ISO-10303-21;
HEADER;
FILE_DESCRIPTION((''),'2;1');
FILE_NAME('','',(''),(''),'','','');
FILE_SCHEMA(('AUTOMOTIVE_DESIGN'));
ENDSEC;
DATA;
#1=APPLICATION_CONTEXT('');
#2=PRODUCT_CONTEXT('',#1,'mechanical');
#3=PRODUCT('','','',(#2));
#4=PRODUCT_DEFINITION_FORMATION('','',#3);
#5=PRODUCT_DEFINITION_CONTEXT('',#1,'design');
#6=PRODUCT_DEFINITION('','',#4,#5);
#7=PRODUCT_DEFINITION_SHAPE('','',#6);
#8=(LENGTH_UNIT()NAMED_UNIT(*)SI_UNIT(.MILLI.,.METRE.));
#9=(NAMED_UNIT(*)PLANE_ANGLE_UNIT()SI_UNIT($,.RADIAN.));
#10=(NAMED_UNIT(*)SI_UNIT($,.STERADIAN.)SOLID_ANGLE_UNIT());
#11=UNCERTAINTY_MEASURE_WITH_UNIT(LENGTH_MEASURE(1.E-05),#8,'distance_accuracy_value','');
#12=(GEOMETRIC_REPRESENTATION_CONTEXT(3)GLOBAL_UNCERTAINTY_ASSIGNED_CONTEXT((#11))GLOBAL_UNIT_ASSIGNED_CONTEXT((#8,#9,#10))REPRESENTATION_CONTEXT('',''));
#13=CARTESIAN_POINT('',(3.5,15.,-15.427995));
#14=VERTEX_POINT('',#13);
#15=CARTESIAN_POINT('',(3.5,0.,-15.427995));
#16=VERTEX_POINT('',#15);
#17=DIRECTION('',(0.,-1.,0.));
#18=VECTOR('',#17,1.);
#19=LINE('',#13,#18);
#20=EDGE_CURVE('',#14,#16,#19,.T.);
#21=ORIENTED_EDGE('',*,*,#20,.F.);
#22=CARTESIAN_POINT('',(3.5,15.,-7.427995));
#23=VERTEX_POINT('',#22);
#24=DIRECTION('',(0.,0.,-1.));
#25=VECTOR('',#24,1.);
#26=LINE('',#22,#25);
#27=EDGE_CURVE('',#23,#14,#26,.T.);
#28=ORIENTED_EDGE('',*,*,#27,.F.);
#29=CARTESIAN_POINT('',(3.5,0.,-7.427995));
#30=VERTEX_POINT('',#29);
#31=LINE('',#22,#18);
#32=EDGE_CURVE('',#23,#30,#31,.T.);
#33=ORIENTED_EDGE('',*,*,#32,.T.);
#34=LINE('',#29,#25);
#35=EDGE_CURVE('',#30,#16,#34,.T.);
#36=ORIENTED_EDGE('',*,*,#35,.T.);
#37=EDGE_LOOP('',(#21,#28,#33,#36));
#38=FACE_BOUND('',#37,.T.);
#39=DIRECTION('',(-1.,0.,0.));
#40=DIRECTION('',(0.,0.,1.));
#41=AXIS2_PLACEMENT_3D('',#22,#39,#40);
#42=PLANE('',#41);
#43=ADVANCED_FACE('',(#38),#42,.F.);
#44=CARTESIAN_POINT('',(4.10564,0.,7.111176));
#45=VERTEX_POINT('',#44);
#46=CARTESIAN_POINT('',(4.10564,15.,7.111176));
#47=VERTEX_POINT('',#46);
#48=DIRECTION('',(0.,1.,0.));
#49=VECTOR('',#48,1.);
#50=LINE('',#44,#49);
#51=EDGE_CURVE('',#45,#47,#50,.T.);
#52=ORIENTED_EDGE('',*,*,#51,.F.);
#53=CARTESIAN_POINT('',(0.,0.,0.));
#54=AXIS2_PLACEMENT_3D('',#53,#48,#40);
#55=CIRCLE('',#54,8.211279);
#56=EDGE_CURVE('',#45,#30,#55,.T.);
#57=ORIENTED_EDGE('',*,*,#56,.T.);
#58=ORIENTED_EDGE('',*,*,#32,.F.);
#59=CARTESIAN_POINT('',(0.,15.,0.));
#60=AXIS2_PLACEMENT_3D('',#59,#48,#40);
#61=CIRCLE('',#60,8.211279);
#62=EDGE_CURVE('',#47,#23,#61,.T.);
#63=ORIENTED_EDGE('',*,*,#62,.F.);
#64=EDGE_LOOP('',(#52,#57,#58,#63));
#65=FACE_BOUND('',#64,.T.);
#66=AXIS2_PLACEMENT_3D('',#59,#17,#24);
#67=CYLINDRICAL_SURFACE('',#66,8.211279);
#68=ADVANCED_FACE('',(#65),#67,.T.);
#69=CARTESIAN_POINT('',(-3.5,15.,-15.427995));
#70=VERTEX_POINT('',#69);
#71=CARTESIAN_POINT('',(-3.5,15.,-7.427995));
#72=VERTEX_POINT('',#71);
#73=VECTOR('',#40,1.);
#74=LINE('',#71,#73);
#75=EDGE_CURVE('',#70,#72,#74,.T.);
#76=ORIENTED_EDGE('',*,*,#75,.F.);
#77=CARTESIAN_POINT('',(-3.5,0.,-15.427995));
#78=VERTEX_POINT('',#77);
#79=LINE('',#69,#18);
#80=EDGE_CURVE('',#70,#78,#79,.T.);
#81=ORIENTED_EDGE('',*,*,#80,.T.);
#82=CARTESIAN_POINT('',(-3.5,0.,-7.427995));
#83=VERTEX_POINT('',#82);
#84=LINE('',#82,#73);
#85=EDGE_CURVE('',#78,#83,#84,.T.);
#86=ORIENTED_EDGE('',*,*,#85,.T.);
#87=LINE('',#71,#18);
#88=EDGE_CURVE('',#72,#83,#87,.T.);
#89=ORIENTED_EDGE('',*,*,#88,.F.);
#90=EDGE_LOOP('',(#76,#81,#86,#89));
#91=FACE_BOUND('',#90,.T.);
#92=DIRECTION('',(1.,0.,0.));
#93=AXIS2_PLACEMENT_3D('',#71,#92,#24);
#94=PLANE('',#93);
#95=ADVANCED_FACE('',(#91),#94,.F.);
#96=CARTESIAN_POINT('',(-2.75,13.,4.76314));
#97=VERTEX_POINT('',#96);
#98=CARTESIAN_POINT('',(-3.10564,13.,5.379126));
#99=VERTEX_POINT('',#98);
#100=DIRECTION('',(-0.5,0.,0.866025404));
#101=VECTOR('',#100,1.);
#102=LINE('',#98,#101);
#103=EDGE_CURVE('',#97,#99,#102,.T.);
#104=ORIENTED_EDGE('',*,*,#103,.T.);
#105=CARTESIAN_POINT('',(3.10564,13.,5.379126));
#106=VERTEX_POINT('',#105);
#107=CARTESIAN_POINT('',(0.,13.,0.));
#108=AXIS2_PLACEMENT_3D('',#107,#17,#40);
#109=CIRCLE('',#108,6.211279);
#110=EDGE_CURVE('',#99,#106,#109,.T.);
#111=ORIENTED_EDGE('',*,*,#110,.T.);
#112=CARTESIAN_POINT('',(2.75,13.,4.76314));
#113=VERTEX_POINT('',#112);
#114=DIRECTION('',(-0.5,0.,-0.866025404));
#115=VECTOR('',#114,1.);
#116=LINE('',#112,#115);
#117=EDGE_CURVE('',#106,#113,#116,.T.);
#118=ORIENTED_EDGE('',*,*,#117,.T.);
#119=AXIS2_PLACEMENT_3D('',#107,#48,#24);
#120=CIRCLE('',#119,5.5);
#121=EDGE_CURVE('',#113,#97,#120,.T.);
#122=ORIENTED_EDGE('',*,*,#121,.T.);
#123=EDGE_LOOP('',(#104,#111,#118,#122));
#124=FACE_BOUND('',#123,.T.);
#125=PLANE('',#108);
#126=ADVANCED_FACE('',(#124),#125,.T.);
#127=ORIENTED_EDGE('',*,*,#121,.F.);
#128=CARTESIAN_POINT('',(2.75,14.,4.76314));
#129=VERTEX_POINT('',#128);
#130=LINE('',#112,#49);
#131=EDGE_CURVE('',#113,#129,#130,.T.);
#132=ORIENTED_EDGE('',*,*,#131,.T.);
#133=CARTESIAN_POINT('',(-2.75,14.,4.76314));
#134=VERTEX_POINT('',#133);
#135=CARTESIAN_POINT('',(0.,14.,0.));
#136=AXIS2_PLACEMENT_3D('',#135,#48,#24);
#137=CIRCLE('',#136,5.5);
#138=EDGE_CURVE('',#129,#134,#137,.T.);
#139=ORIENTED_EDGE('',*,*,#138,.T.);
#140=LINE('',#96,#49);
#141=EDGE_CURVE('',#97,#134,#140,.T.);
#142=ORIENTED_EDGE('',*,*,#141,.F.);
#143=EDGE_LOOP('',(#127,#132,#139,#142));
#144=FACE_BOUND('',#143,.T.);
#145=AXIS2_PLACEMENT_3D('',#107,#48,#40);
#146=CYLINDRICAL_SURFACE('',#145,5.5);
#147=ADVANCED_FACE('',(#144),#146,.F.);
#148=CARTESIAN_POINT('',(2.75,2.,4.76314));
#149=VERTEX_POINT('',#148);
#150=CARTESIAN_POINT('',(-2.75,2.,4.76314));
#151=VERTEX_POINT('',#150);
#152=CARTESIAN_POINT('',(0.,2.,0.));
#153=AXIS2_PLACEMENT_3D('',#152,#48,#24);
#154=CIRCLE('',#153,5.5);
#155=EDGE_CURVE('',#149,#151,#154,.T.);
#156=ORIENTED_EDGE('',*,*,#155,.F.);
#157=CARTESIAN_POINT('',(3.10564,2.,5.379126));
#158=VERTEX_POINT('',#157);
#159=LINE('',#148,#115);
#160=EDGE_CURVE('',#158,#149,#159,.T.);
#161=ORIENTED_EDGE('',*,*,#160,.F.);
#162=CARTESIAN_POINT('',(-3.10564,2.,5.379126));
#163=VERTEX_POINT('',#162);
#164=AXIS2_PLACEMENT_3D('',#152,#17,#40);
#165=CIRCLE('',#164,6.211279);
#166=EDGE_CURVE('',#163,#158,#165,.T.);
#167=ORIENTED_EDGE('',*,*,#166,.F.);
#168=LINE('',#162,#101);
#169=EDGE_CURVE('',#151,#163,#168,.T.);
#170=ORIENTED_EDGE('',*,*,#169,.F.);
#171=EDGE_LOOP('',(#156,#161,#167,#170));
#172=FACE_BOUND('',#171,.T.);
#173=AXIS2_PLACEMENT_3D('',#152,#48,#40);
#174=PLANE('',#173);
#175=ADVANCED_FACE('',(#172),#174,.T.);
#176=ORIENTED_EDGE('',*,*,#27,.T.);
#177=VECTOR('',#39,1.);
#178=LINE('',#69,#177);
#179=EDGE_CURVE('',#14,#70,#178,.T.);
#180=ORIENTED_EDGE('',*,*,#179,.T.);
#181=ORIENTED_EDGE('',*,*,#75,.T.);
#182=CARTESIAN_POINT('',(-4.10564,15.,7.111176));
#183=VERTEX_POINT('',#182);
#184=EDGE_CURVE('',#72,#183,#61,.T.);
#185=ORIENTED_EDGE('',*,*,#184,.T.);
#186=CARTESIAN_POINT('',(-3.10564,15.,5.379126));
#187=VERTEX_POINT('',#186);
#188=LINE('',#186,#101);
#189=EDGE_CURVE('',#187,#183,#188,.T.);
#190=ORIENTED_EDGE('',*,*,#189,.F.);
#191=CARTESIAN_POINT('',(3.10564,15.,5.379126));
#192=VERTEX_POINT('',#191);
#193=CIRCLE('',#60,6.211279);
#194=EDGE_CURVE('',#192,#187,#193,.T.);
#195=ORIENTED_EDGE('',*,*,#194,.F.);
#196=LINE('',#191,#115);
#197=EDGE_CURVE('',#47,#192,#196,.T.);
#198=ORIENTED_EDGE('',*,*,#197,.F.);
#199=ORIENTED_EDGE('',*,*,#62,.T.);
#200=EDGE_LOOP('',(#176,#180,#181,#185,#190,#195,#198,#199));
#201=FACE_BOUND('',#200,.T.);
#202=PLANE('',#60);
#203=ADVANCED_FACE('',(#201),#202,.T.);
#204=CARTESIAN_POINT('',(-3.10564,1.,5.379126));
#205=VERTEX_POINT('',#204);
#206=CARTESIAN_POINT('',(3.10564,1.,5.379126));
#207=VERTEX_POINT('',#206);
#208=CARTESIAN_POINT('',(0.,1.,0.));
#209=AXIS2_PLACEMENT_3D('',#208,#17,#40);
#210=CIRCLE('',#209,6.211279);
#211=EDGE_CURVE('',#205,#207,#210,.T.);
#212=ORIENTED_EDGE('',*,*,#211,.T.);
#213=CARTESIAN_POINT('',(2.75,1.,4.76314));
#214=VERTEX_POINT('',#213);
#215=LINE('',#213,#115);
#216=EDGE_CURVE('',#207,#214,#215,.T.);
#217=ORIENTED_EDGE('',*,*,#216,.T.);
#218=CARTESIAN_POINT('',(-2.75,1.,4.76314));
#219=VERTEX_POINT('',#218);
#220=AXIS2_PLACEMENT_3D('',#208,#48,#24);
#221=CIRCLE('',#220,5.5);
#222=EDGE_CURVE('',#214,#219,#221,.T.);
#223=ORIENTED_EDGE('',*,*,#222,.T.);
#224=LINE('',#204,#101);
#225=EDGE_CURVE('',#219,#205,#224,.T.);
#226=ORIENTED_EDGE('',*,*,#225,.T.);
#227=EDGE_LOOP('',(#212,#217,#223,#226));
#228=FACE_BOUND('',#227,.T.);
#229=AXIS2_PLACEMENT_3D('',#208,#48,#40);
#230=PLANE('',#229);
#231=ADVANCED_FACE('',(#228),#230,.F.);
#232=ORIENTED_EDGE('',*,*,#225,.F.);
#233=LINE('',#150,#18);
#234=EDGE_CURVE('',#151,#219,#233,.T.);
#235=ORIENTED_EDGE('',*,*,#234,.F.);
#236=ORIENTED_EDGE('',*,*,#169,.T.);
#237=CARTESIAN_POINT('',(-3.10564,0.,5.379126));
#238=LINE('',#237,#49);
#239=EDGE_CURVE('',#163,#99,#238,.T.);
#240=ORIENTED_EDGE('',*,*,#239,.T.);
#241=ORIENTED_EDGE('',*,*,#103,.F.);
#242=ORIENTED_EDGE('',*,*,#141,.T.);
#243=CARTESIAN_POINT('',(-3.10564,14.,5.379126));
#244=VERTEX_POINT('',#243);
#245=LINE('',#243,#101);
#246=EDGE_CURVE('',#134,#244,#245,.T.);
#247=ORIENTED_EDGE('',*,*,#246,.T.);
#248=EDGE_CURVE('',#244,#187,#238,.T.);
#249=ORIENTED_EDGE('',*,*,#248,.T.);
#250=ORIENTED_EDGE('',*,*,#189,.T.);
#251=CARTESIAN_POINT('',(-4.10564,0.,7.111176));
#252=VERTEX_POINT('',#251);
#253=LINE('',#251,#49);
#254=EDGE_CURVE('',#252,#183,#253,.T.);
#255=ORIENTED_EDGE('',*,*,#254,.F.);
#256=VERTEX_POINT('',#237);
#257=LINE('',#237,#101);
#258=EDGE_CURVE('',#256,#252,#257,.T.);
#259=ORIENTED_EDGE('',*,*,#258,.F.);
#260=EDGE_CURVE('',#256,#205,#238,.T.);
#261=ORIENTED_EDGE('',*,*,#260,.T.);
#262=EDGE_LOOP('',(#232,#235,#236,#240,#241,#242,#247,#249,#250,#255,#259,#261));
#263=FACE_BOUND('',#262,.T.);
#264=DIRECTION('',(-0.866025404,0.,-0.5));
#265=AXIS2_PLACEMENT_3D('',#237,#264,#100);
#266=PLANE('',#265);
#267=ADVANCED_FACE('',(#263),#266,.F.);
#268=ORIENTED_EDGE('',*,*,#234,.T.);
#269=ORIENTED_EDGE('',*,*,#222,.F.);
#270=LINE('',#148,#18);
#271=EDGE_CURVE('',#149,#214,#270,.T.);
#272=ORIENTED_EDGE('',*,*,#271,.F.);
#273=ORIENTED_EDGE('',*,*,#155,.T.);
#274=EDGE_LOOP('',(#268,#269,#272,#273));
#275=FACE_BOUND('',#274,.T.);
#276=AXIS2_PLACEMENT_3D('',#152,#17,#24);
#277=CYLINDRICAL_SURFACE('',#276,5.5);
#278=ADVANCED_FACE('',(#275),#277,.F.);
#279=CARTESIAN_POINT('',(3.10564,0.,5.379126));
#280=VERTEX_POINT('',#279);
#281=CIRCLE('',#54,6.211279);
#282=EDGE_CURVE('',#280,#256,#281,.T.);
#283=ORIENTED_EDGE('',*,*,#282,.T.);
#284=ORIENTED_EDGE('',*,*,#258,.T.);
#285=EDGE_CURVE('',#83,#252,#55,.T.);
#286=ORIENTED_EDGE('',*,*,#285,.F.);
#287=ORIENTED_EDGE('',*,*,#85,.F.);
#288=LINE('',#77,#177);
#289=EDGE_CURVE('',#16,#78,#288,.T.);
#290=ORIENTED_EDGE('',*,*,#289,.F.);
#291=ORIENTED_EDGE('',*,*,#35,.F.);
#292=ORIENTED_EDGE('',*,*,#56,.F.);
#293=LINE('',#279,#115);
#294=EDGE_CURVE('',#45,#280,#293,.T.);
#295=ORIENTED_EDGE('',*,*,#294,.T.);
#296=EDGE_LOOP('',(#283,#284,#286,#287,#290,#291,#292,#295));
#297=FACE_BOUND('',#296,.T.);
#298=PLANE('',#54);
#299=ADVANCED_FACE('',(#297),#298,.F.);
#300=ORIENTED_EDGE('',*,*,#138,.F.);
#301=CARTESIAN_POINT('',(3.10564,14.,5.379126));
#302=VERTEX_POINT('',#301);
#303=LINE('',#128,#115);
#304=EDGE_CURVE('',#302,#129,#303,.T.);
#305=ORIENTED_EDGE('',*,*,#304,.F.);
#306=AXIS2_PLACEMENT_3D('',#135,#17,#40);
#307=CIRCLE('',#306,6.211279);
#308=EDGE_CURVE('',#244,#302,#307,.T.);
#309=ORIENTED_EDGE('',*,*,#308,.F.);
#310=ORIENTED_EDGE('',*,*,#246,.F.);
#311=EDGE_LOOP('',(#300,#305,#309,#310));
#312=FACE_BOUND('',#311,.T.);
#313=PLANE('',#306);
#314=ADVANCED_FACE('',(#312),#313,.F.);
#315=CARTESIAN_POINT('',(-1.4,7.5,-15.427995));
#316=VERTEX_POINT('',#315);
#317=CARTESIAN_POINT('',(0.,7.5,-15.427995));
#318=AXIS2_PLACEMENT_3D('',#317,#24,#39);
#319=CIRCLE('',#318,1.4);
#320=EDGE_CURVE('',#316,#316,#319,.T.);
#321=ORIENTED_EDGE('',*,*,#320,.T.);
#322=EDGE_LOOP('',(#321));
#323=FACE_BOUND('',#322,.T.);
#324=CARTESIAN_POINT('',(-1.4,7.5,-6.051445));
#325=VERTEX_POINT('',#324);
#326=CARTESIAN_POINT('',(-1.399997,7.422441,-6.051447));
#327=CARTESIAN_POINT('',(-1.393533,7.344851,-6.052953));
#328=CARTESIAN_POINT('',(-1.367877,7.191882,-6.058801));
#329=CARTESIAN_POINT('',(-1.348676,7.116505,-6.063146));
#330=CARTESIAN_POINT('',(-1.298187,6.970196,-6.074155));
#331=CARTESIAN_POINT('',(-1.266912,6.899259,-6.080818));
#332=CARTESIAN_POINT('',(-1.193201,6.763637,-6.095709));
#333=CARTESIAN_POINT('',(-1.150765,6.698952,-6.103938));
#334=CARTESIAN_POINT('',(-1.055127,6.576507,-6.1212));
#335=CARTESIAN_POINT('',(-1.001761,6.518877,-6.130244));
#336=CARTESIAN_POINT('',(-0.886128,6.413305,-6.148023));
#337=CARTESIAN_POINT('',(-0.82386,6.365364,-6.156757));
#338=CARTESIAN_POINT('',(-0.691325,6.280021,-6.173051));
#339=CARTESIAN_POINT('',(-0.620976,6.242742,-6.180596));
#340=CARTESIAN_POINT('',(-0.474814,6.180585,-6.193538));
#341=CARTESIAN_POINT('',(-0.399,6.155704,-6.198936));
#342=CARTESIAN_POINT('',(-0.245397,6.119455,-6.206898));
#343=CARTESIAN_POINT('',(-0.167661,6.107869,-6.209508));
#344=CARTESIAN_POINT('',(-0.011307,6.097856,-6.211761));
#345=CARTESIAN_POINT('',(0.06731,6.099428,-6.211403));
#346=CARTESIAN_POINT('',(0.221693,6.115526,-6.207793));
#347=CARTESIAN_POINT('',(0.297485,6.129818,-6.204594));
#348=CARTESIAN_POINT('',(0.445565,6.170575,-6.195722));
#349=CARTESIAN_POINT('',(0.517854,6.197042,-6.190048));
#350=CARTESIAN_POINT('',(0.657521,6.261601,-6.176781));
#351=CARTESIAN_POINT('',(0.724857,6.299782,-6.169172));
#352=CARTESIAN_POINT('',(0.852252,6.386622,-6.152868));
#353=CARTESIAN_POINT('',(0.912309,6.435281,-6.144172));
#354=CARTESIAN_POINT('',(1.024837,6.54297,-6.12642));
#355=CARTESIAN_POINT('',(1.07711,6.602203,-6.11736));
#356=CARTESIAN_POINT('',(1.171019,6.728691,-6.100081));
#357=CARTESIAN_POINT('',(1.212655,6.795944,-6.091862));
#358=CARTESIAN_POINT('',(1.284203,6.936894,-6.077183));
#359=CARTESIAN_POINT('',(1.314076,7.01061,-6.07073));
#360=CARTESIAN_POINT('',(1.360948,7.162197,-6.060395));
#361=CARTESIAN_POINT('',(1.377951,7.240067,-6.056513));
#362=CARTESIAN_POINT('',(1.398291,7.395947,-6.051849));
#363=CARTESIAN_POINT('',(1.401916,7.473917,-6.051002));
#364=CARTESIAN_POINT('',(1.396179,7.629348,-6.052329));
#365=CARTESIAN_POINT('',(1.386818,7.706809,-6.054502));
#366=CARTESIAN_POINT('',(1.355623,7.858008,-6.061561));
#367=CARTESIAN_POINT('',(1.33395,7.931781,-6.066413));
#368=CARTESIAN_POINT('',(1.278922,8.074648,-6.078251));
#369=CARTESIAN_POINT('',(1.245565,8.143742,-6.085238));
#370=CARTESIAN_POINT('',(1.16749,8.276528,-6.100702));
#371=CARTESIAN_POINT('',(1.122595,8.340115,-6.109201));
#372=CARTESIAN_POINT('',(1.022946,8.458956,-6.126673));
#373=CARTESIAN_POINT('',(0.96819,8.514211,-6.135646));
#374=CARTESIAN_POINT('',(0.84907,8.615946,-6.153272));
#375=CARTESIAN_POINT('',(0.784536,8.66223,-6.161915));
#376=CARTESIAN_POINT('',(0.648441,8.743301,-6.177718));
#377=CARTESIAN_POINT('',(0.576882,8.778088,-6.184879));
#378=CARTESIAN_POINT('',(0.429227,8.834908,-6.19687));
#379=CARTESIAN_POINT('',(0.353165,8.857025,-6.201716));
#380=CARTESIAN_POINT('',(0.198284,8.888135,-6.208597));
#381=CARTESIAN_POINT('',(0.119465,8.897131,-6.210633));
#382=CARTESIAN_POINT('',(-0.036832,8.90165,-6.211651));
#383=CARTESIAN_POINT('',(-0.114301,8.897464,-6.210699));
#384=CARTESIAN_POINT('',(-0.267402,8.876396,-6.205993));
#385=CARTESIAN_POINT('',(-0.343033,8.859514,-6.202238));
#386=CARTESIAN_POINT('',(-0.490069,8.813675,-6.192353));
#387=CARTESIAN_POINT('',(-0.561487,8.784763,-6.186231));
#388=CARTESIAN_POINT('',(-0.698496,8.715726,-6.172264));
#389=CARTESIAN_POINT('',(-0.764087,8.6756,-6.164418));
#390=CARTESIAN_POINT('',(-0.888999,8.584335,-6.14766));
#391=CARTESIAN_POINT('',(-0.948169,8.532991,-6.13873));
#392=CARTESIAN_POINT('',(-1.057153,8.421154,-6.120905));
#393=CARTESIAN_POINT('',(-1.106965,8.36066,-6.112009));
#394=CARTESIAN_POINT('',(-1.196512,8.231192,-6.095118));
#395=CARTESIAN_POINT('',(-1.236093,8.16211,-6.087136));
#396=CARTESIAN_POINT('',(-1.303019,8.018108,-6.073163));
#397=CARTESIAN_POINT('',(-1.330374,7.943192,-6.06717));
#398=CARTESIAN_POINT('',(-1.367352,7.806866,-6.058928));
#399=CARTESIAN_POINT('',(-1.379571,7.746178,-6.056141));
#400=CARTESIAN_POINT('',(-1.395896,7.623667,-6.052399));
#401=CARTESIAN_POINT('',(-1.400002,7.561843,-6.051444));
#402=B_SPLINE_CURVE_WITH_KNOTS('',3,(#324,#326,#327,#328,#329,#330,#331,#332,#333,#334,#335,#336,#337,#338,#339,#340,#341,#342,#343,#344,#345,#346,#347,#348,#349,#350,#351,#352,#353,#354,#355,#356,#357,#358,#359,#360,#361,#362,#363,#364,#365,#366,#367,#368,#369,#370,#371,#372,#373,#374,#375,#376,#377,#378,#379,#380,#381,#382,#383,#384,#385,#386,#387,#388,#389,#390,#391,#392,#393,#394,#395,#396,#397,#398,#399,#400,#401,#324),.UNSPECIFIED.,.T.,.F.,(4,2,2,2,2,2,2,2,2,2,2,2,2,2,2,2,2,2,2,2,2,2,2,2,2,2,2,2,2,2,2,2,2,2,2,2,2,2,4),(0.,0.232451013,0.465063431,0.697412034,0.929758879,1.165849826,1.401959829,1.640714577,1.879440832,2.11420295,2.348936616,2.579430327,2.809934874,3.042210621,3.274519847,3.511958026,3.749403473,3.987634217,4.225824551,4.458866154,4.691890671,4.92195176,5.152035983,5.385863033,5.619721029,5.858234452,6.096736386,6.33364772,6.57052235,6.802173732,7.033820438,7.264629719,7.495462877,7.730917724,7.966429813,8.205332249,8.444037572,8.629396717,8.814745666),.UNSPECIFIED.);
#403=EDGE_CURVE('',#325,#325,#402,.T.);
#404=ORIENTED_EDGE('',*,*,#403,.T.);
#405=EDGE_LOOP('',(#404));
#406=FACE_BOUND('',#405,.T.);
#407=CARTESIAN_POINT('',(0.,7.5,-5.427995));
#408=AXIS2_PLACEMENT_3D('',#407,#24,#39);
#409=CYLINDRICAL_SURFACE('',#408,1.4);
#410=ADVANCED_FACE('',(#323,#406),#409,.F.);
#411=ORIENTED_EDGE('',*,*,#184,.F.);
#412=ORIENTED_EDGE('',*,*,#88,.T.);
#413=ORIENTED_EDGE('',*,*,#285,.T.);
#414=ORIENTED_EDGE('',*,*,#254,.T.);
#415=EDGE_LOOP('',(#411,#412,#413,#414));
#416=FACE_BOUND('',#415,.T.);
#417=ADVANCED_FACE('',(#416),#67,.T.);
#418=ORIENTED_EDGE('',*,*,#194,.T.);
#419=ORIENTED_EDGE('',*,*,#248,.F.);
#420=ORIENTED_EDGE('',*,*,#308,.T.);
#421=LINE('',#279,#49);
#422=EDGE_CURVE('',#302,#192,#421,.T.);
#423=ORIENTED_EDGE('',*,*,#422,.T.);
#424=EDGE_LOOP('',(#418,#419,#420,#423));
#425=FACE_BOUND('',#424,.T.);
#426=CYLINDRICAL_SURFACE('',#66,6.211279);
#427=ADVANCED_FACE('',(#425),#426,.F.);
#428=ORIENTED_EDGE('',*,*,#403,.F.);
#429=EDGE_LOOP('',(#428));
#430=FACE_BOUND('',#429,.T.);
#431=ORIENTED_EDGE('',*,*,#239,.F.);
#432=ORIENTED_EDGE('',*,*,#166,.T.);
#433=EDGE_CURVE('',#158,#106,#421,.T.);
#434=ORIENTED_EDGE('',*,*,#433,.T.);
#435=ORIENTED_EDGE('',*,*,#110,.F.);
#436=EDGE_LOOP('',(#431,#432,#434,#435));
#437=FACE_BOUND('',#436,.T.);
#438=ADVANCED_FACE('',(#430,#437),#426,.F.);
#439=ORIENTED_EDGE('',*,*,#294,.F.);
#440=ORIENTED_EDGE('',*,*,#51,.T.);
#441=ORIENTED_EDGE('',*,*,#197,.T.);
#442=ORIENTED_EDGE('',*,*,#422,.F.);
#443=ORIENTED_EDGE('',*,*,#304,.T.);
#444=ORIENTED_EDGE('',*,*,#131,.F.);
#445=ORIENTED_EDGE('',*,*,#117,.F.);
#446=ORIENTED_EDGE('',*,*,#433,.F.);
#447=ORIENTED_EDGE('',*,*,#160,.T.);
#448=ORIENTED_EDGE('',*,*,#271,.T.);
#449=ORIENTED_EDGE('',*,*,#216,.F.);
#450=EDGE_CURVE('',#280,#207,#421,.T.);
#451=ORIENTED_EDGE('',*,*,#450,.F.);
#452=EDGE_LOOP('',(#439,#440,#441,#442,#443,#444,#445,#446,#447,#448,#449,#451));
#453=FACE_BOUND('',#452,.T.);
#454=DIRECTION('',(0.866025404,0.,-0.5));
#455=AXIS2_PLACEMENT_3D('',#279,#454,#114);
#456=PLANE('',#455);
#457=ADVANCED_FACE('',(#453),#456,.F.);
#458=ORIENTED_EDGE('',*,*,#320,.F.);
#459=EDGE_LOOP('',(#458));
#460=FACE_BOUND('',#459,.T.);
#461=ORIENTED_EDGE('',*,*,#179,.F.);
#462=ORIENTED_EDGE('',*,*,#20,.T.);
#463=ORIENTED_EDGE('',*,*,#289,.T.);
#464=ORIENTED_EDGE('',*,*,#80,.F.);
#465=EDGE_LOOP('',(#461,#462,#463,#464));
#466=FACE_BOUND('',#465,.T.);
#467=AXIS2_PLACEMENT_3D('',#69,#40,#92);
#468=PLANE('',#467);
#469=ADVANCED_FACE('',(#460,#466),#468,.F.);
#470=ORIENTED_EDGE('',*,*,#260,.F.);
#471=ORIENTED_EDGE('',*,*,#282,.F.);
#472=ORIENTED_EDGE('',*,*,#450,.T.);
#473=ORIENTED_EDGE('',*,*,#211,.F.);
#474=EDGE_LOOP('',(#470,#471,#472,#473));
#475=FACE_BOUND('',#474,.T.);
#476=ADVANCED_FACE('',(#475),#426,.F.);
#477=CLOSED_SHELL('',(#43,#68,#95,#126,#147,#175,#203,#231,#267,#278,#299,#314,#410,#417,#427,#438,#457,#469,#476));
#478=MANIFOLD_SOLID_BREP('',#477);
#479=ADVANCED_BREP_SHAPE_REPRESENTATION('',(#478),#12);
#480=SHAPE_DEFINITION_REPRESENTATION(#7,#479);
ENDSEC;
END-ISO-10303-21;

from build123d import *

# Parameters (mm, degrees)
SKETCH1_R               = 6.211279156
BOSS_EXTRUDE1_DEPTH     = 15
CUT_EXTRUDE1_DEPTH      = 24.031459486
CUT_EXTRUDE1_DEPTH_BACK = 24.031459486
BOSS_EXTRUDE3_DEPTH     = 1
SKETCH6_R               = 1.4
CUT_EXTRUDE2_DEPTH      = 10


with BuildPart() as part:
    # Sketch1 → Boss-Extrude1 (new body)
    with BuildSketch(Plane(origin=(0, 0, 0), x_dir=(1, 0, 0), z_dir=(0, 1, 0))):
        with BuildLine():
            Line((-3.5, 7.427994707), (-3.5, 15.427994707))
            Line((-3.5, 15.427994707), (3.5, 15.427994707))
            Line((3.5, 15.427994707), (3.5, 7.427994707))
            ThreePointArc((3.5, 7.427994707), (0, -8.211279156), (-3.5, 7.427994707))
        make_face()
        with Locations(Location((0, 0, 0), (0, 0, 270))):
            Circle(SKETCH1_R, mode=Mode.SUBTRACT)
    extrude(amount=BOSS_EXTRUDE1_DEPTH)

    # Sketch4 → Cut-Extrude1 (cut, two sides: drawn at the far end of the back side and taken through both)
    with BuildSketch(Plane(origin=(0, 15, 0), x_dir=(1, 0, 0), z_dir=(0, 1, 0)).offset(-CUT_EXTRUDE1_DEPTH_BACK)):
        with BuildLine():
            Line((-3.105639578, -5.379125539), (-4.105639578, -7.111176346))
            ThreePointArc((-4.105639578, -7.111176346), (0, -8.211279156), (4.105639578, -7.111176346))
            Line((4.105639578, -7.111176346), (3.105639578, -5.379125539))
            ThreePointArc((3.105639578, -5.379125539), (0, -6.211279156), (-3.105639578, -5.379125539))
        make_face()
    extrude(amount=CUT_EXTRUDE1_DEPTH + CUT_EXTRUDE1_DEPTH_BACK, mode=Mode.SUBTRACT)

    # Sketch5 → Boss-Extrude3 (add)
    with BuildSketch(Plane(origin=(0, 1, 0), x_dir=(-1, 0, 0), z_dir=(0, -1, 0))):
        with BuildLine():
            Line((3.105639578, -5.379125539), (2.749999992, -4.763139708))
            ThreePointArc((2.749999992, -4.763139708), (0, 5.499999985), (-2.749999992, -4.763139708))
            Line((-2.749999992, -4.763139708), (-3.105639578, -5.379125539))
            ThreePointArc((-3.105639578, -5.379125539), (0, 6.211279156), (3.105639578, -5.379125539))
        make_face()
    boss_extrude3 = extrude(amount=-BOSS_EXTRUDE3_DEPTH)

    # Mirror1: Boss-Extrude3 across plane
    add(boss_extrude3.mirror(Plane.ZX.offset(7.5)))

    # Sketch6 → Cut-Extrude2 (cut)
    with BuildSketch(Plane(origin=(0, 0, -15.427994707), x_dir=(-1, 0, 0), z_dir=(0, 0, -1))):
        with Locations((0, 7.5)):
            Circle(SKETCH6_R)
    extrude(amount=-CUT_EXTRUDE2_DEPTH, mode=Mode.SUBTRACT)


solid = part.part
